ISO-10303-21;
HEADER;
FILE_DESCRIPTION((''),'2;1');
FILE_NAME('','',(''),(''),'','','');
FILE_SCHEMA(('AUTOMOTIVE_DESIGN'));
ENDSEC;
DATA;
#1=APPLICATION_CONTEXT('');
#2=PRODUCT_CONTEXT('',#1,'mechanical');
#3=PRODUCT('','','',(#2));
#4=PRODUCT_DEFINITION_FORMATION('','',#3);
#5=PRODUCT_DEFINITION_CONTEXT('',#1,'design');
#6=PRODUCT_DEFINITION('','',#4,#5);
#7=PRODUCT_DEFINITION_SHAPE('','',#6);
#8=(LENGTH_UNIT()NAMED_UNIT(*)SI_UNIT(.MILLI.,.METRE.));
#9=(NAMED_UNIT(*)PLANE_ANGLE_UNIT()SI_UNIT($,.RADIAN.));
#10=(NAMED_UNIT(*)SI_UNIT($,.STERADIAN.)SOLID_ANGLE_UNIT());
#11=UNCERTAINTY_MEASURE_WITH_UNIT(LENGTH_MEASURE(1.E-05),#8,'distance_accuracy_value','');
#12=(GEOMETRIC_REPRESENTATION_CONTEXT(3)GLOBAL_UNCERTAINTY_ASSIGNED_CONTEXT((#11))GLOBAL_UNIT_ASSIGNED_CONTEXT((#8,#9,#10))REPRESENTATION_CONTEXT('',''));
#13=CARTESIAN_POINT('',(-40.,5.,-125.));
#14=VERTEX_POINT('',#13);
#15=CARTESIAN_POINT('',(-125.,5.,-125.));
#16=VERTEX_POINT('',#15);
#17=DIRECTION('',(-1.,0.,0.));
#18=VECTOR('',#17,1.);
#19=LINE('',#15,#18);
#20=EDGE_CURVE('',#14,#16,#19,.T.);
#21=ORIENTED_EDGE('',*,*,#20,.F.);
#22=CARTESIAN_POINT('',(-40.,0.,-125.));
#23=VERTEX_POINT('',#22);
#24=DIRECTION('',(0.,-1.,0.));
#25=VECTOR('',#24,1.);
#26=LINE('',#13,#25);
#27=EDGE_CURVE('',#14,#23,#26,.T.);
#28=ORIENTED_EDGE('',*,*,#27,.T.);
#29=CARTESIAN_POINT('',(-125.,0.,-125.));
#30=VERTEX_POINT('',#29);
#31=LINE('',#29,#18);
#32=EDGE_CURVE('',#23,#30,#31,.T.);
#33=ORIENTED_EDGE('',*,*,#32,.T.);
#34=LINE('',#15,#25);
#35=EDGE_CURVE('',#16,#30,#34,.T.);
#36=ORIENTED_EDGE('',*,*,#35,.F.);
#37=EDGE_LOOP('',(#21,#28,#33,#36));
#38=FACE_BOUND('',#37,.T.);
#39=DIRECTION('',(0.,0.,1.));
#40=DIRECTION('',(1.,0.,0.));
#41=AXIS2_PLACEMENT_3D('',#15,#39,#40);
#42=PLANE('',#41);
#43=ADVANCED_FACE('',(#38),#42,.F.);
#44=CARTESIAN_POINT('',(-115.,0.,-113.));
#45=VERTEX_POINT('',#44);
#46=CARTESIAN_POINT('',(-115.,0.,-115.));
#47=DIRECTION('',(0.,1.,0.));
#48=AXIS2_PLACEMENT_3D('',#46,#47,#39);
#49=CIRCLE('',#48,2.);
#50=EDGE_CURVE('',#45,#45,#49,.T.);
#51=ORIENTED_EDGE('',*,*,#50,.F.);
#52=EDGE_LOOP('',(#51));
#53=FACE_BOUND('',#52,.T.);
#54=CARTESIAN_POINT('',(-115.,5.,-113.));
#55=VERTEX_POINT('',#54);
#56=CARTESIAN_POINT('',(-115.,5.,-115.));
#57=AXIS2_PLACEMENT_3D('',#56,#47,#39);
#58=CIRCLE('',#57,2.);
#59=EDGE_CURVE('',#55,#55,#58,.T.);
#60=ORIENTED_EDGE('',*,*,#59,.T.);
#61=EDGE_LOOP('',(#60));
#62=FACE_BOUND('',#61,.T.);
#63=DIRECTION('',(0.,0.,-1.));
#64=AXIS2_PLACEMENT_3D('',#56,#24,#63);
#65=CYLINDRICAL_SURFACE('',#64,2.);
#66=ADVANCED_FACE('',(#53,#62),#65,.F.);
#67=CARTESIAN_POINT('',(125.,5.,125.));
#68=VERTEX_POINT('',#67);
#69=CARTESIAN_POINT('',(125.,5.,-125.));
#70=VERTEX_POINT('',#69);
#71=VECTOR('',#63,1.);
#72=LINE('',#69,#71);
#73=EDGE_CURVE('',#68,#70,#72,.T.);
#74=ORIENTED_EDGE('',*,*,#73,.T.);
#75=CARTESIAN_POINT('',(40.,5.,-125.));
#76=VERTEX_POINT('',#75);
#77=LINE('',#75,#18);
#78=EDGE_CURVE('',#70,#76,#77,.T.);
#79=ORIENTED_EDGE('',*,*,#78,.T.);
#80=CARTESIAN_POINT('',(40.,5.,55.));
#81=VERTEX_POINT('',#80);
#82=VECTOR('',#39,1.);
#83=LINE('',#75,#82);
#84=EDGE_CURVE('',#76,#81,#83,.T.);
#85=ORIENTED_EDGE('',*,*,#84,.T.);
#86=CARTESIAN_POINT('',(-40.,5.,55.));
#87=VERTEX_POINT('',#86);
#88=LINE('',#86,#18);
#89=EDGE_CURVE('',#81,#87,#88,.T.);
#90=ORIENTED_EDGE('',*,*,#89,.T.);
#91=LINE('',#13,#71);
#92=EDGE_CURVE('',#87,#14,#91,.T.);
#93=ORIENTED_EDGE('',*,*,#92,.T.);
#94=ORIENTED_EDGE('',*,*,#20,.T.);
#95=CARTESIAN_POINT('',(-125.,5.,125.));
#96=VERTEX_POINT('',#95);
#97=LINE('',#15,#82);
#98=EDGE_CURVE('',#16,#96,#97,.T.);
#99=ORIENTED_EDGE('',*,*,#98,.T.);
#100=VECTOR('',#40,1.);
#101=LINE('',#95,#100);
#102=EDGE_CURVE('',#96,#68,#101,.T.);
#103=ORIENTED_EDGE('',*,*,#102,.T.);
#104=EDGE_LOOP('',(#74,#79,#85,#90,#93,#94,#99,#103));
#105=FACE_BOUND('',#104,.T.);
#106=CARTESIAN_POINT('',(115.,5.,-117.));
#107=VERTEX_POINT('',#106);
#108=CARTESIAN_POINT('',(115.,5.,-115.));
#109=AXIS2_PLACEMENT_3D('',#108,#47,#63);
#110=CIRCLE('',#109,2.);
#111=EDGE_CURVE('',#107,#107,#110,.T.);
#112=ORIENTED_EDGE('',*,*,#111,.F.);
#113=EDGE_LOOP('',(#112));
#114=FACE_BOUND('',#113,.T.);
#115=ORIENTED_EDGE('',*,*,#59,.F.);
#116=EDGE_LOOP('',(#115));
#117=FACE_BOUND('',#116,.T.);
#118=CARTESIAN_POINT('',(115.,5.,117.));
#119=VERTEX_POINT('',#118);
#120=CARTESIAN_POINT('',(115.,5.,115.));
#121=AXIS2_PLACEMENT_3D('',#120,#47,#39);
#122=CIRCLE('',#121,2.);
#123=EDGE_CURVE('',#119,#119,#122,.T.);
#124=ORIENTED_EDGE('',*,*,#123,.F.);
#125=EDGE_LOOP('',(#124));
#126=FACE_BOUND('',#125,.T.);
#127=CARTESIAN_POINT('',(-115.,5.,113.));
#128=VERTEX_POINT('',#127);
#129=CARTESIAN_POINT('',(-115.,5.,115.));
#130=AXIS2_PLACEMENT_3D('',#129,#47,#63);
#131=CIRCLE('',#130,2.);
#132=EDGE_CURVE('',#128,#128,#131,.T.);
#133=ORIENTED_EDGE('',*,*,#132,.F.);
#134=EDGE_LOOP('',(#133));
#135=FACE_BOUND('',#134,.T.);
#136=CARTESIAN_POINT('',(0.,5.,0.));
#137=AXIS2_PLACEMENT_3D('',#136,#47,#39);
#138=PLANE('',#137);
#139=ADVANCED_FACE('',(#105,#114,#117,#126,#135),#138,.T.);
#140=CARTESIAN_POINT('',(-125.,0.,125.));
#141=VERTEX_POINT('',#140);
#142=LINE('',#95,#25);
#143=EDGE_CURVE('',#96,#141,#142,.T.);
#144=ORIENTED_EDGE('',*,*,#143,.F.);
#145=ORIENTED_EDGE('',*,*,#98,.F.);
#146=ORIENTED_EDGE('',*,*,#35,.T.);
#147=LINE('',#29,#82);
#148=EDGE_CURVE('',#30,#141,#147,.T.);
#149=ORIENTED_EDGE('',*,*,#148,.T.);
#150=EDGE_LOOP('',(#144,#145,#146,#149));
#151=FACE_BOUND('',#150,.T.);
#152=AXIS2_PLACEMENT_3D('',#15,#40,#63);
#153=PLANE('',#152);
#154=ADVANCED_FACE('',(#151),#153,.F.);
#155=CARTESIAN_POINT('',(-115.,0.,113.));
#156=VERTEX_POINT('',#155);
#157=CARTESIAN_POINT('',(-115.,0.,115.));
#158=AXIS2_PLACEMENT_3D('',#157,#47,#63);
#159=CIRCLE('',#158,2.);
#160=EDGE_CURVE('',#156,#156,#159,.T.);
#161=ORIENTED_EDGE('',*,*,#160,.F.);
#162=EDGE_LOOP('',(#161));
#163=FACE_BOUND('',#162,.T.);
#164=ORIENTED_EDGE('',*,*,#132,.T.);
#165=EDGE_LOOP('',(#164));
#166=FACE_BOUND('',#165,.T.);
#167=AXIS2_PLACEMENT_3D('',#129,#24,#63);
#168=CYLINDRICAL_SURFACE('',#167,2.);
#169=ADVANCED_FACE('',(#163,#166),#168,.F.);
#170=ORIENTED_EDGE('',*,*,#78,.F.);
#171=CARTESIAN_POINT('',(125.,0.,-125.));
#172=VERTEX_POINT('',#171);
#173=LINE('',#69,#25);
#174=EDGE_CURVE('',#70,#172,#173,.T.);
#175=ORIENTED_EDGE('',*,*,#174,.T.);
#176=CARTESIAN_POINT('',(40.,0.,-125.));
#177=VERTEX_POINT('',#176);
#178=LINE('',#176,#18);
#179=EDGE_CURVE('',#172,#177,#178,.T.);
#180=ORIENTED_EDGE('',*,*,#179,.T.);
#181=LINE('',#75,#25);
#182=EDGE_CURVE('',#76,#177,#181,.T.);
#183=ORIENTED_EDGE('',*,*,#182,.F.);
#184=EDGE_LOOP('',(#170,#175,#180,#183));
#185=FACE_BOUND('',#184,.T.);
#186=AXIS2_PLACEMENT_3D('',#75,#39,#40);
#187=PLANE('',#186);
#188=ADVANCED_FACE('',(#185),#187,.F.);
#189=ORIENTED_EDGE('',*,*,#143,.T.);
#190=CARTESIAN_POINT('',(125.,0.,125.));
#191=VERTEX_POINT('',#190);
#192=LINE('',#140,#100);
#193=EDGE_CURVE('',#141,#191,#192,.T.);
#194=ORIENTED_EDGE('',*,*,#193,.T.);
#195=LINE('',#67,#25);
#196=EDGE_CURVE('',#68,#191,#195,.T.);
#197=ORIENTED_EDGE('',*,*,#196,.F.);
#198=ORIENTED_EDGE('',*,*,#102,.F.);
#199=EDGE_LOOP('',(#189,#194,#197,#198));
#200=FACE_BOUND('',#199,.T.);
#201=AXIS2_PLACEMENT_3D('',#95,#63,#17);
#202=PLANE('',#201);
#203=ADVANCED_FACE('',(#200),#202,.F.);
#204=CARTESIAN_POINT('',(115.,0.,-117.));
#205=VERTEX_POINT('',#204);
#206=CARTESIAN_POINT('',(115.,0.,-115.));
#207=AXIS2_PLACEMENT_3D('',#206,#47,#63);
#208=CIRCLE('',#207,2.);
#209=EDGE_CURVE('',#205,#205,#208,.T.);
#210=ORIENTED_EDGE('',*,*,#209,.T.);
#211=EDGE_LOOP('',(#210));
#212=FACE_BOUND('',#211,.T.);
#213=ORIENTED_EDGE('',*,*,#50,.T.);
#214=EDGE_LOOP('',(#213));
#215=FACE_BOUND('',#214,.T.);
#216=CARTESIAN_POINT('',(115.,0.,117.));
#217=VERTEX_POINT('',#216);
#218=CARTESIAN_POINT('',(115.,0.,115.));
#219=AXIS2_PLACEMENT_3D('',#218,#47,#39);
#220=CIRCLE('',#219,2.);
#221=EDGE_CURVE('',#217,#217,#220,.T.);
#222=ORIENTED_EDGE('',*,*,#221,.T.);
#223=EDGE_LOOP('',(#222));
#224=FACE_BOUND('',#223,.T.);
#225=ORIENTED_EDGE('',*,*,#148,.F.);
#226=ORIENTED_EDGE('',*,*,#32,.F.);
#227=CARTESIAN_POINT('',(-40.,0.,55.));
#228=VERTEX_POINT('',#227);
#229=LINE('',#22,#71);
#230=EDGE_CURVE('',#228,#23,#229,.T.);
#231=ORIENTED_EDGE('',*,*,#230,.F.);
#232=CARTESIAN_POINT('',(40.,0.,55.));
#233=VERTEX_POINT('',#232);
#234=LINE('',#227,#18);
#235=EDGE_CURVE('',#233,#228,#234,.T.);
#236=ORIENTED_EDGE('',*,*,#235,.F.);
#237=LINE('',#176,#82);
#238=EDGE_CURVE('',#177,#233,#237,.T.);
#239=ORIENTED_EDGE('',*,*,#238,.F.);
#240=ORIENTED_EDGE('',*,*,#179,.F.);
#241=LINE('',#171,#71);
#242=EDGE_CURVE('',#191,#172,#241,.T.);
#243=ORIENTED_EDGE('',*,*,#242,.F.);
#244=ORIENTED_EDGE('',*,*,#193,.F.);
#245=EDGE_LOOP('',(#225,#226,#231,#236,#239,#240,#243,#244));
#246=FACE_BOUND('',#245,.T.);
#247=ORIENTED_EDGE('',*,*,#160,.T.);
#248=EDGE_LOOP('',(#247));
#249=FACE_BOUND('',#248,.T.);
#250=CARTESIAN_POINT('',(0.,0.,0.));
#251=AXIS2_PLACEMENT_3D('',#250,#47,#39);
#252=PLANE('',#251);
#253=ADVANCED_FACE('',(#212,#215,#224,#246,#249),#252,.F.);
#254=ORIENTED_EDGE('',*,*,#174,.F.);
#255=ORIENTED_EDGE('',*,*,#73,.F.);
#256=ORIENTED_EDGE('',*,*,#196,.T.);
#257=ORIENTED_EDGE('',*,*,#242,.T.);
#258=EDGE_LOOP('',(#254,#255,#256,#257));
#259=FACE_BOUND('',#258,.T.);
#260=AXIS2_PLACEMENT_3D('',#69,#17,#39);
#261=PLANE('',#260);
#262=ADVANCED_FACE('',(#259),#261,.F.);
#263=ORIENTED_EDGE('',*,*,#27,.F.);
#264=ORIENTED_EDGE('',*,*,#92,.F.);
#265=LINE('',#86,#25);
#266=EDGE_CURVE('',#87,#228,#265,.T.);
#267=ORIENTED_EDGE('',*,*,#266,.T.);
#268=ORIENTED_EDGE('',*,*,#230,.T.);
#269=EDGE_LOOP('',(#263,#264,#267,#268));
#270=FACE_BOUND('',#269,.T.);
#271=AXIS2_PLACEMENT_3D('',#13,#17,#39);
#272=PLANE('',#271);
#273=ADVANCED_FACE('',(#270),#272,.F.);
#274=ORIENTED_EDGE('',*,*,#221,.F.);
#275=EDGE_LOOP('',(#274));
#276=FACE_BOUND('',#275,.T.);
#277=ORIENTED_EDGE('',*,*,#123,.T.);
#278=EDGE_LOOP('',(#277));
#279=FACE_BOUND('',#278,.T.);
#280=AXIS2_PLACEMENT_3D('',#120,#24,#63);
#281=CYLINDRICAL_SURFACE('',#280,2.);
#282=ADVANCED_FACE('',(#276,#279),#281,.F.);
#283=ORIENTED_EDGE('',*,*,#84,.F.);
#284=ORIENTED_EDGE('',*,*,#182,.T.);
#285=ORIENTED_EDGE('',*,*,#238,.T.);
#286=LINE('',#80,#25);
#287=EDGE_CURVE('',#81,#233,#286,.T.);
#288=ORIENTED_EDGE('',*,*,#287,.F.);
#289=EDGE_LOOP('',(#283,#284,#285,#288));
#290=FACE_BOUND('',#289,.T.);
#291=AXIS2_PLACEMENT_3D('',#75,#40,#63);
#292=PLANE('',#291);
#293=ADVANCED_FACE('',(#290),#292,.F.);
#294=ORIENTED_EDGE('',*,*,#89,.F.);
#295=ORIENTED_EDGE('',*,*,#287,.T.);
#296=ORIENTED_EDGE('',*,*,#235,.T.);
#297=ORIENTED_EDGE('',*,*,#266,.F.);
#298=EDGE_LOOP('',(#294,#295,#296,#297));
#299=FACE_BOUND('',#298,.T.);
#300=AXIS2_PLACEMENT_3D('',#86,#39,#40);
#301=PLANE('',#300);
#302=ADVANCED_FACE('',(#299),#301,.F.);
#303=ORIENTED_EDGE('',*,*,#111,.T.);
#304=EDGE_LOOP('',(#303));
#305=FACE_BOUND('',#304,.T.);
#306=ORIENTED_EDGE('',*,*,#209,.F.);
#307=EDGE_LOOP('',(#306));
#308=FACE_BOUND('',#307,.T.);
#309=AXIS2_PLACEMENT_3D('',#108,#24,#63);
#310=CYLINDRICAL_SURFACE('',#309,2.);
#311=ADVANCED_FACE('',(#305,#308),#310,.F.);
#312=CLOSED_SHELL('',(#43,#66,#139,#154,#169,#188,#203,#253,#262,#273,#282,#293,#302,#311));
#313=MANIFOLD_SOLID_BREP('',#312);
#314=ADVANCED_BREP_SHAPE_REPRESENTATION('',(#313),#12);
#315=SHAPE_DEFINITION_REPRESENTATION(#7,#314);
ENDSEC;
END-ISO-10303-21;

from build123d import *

# Parameters (mm, degrees)
ESBO_O1_R                = 2
RESSALTO_EXTRUS_O1_DEPTH = 5


with BuildPart() as part:
    # Esboço1 → Ressalto-extrusão1 (new body)
    with BuildSketch(Plane(origin=(0, 0, 0), x_dir=(1, 0, 0), z_dir=(0, 1, 0))):
        Polygon((-125, 125), (-40, 125), (-40, -55), (40, -55), (40, 125), (125, 125), (125, -125), (-125, -125), align=None)
        with Locations((-115, 115)):
            Circle(ESBO_O1_R, mode=Mode.SUBTRACT)
        with Locations((115, 115)):
            Circle(ESBO_O1_R, mode=Mode.SUBTRACT)
        with Locations((-115, -115)):
            Circle(ESBO_O1_R, mode=Mode.SUBTRACT)
        with Locations((115, -115)):
            Circle(ESBO_O1_R, mode=Mode.SUBTRACT)
    extrude(amount=RESSALTO_EXTRUS_O1_DEPTH)


solid = part.part
